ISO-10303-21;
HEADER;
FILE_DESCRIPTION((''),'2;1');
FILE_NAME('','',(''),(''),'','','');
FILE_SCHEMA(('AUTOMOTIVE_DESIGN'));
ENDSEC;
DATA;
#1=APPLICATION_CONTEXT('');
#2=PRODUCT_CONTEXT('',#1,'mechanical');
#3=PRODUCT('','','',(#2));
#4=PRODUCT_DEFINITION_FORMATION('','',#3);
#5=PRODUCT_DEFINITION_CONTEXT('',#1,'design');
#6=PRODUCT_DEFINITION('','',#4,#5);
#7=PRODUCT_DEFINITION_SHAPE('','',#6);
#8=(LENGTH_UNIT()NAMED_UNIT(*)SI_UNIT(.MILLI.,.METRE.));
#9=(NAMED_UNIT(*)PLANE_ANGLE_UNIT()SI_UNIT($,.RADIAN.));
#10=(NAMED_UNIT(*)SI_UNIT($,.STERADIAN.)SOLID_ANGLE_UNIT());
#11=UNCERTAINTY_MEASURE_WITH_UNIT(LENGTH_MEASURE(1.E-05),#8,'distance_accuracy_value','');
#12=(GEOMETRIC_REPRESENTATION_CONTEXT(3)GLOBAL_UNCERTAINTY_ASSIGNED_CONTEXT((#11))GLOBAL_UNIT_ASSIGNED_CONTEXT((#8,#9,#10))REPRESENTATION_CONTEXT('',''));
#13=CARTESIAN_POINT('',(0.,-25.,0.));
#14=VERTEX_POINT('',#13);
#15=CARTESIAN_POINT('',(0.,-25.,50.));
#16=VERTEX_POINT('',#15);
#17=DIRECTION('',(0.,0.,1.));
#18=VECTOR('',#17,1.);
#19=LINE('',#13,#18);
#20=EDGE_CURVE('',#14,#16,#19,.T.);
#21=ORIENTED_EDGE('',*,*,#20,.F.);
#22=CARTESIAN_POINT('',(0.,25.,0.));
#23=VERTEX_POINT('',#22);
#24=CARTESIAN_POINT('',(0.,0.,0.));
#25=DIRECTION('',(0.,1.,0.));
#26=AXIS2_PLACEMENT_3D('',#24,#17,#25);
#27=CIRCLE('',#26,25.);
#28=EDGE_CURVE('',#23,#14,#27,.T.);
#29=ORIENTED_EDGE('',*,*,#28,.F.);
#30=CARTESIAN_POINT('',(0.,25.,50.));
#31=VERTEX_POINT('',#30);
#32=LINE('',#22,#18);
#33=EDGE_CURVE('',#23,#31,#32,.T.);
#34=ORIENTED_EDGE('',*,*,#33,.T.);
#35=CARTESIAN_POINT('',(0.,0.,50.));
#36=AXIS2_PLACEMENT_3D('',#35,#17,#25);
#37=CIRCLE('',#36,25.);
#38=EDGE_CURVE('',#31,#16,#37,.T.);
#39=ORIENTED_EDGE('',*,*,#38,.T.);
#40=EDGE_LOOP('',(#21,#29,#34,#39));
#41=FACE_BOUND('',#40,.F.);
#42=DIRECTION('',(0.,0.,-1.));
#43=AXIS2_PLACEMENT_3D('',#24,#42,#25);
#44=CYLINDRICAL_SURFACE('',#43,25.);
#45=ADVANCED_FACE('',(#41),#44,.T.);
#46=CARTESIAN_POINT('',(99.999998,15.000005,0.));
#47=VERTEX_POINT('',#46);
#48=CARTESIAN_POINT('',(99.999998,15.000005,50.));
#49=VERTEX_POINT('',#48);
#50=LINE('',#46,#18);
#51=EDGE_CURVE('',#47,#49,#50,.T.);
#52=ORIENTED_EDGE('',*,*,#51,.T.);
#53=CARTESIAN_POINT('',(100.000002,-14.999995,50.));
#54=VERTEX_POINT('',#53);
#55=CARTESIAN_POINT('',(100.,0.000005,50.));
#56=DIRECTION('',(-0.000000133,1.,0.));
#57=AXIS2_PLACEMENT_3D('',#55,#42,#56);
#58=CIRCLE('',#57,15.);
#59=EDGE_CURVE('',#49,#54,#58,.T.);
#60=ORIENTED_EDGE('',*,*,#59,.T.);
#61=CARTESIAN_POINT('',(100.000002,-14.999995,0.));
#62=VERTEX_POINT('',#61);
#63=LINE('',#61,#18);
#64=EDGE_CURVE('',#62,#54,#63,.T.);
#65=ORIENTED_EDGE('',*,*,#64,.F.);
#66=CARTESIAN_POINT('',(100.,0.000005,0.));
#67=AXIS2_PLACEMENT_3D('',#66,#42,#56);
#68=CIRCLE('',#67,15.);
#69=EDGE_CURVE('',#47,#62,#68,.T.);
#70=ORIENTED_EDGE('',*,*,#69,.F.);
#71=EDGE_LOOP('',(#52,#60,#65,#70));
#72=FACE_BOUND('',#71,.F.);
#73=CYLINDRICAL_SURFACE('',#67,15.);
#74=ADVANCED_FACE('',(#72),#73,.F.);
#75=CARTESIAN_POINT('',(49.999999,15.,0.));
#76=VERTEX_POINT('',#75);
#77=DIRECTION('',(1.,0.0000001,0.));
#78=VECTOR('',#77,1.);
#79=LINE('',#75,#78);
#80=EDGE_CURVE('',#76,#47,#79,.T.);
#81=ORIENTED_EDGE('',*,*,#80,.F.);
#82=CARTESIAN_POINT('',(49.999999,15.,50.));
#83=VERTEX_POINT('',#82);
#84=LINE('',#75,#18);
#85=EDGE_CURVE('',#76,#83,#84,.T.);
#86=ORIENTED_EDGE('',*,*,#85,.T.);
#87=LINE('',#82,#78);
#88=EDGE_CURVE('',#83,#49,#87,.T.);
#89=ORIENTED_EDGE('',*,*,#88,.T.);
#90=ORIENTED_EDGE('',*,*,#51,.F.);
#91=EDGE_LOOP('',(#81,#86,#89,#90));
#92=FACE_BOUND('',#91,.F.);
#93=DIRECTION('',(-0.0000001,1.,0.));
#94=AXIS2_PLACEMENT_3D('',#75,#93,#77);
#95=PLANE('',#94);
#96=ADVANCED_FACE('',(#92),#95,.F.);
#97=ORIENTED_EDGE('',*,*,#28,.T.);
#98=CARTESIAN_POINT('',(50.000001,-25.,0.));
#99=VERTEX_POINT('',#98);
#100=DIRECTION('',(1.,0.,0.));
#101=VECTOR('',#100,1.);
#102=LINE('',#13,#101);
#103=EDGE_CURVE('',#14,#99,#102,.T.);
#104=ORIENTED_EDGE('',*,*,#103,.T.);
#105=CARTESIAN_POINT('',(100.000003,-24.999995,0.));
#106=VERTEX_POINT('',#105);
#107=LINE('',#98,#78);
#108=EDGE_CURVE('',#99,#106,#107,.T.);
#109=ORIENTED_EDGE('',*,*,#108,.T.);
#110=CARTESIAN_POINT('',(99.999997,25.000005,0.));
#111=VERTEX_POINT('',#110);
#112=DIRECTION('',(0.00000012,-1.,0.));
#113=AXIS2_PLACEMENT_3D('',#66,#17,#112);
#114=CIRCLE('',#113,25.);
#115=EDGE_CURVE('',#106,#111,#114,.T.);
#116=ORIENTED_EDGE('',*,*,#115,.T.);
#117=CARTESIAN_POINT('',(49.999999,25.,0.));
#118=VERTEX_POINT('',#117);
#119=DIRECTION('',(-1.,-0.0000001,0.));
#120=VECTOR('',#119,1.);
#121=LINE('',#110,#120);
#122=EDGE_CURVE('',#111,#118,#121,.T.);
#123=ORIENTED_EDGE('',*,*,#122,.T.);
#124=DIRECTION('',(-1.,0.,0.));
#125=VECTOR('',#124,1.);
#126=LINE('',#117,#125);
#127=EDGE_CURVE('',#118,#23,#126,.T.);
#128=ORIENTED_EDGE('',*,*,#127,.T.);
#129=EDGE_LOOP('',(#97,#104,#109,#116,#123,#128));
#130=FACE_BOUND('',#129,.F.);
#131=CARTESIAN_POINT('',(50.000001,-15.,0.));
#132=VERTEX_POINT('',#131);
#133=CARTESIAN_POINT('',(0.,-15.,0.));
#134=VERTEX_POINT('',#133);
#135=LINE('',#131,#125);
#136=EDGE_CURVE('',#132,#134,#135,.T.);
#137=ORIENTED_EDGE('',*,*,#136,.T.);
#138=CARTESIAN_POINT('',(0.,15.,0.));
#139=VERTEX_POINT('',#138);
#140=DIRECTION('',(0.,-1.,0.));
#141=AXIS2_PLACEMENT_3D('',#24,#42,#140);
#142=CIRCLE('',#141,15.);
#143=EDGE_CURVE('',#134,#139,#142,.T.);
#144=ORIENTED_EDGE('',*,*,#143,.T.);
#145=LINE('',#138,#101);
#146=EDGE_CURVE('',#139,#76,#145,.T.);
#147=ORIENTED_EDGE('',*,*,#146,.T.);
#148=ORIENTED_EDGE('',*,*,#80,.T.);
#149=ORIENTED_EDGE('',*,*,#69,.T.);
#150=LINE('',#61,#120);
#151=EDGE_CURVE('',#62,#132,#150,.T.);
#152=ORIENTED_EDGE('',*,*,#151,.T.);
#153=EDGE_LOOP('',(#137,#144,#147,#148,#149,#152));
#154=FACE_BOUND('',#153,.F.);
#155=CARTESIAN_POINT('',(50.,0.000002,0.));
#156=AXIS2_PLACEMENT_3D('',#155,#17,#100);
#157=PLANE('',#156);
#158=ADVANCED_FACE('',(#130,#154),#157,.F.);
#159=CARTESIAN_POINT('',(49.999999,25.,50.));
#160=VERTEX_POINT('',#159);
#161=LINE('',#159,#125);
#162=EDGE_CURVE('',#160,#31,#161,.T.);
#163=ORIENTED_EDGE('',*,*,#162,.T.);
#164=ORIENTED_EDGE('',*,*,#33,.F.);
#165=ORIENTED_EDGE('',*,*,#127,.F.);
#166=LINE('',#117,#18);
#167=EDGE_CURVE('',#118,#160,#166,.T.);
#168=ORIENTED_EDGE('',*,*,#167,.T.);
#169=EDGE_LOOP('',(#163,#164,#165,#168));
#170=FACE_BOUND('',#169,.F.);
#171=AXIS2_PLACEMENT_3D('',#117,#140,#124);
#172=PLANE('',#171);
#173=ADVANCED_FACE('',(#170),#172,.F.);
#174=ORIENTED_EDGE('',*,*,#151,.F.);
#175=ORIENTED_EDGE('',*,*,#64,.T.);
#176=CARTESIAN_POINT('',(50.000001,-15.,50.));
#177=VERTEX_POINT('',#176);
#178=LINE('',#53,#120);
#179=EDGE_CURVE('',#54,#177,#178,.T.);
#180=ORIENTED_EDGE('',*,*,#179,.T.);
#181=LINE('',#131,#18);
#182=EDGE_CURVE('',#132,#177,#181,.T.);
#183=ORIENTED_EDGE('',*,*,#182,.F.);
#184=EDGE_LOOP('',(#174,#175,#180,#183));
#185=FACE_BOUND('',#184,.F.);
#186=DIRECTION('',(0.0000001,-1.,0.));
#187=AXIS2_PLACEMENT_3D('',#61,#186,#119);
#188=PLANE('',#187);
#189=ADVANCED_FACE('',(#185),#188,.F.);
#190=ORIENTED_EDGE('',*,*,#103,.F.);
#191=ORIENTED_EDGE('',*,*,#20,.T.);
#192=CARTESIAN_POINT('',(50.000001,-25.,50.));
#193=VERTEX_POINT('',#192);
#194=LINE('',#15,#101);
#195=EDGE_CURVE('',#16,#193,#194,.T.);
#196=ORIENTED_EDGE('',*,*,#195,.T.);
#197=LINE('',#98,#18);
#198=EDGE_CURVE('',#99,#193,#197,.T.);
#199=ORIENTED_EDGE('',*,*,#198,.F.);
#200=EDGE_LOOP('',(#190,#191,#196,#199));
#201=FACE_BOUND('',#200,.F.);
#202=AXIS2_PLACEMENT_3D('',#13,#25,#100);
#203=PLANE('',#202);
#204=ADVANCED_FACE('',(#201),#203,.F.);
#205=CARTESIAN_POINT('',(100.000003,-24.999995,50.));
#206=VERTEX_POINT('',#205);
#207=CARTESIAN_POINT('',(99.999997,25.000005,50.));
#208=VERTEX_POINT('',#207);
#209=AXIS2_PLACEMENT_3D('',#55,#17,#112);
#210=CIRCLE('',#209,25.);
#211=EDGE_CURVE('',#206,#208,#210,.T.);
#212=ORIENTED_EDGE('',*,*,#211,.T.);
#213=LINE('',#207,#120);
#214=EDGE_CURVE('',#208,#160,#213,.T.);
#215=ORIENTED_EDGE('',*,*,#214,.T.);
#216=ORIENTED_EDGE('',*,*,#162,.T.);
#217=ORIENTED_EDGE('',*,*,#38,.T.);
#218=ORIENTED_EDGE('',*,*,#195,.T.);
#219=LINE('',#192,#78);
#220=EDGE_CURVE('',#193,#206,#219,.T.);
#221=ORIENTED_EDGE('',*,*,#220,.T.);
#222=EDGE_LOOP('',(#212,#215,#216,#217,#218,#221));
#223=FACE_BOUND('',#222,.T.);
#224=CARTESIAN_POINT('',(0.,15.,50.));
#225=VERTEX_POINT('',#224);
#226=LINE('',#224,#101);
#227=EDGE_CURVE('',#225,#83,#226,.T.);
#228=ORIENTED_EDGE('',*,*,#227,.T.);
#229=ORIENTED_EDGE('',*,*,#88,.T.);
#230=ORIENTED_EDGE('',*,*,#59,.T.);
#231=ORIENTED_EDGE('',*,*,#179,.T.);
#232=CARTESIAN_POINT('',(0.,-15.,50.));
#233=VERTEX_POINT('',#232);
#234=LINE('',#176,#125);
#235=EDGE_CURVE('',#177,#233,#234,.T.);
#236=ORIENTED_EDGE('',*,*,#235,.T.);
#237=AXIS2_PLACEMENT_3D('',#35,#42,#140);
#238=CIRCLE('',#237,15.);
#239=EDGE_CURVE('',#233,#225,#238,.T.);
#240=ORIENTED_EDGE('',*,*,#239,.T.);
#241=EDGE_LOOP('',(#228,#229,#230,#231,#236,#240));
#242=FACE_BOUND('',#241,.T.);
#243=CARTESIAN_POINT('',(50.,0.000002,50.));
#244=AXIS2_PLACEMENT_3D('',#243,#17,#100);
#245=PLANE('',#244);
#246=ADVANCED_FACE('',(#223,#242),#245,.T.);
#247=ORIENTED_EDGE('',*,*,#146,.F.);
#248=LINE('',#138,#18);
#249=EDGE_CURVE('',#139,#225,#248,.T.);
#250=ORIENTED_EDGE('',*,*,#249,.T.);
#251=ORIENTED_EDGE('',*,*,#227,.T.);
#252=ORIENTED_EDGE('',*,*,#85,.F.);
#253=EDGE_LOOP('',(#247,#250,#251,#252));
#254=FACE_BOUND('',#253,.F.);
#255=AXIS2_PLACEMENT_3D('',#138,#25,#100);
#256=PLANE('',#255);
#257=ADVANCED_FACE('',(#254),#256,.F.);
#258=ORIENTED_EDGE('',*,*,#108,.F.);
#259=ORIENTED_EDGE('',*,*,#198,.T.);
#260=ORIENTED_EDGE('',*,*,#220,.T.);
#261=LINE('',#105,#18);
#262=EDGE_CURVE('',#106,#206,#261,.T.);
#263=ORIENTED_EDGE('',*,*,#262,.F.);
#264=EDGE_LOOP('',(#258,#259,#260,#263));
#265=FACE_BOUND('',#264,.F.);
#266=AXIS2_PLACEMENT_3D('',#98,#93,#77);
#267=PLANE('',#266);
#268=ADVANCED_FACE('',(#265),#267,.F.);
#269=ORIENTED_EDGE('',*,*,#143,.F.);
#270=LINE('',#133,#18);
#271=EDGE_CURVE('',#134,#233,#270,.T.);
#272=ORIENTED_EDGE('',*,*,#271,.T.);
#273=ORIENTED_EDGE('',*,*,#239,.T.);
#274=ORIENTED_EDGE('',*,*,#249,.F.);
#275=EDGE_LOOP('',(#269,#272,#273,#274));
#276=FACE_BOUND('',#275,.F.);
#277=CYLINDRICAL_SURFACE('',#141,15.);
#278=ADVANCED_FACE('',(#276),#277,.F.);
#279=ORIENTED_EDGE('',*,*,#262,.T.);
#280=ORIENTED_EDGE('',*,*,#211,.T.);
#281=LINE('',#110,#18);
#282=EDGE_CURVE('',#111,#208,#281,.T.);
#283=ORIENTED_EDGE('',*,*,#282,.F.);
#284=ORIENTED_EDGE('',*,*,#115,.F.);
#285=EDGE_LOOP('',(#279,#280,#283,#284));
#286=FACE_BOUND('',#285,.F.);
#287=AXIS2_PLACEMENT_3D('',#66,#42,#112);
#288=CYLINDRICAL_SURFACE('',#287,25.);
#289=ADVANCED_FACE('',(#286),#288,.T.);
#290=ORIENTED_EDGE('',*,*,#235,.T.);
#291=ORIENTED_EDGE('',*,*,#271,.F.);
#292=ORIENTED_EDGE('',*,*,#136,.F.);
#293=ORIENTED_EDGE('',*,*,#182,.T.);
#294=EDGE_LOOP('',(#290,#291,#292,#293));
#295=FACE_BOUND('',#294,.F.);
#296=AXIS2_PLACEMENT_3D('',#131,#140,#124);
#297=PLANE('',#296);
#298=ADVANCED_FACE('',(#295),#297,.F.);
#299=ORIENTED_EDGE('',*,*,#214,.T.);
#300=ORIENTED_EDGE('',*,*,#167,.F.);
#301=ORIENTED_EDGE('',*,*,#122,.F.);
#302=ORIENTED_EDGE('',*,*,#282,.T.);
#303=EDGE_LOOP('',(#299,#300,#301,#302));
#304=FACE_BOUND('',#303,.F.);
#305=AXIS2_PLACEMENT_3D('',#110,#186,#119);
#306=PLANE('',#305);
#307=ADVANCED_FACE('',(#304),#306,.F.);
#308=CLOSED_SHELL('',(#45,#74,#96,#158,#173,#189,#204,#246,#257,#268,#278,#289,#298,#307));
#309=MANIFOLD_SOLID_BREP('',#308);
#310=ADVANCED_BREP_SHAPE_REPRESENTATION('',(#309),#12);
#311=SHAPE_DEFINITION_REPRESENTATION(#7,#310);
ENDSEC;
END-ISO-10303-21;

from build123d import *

# Parameters (mm, degrees)
F1_DEPTH = 50


with BuildPart() as f1:
    # F0 (on Top) → F1 (new body)
    with BuildSketch(Plane.XY):
        with BuildLine():
            Line((49.999999, 25), (0, 25))
            ThreePointArc((0, 25), (-25, 0), (0, -25))
            Line((0, -25), (50.000001, -25))
            Line((50.000001, -25), (100.000003, -24.999995))
            ThreePointArc((100.000003, -24.999995), (125, 8e-06), (99.999997, 25.000005))
            Line((99.999997, 25.000005), (49.999999, 25))
        make_face()
        with BuildLine():
            ThreePointArc((0, -15), (-15, 0), (0, 15))
            Line((0, 15), (49.999999, 15))
            Line((49.999999, 15), (99.999998, 15.000005))
            ThreePointArc((99.999998, 15.000005), (115, 7e-06), (100.000002, -14.999995))
            Line((100.000002, -14.999995), (50.000001, -15))
            Line((50.000001, -15), (0, -15))
        make_face(mode=Mode.SUBTRACT)
    extrude(amount=F1_DEPTH)


solid = f1.part
